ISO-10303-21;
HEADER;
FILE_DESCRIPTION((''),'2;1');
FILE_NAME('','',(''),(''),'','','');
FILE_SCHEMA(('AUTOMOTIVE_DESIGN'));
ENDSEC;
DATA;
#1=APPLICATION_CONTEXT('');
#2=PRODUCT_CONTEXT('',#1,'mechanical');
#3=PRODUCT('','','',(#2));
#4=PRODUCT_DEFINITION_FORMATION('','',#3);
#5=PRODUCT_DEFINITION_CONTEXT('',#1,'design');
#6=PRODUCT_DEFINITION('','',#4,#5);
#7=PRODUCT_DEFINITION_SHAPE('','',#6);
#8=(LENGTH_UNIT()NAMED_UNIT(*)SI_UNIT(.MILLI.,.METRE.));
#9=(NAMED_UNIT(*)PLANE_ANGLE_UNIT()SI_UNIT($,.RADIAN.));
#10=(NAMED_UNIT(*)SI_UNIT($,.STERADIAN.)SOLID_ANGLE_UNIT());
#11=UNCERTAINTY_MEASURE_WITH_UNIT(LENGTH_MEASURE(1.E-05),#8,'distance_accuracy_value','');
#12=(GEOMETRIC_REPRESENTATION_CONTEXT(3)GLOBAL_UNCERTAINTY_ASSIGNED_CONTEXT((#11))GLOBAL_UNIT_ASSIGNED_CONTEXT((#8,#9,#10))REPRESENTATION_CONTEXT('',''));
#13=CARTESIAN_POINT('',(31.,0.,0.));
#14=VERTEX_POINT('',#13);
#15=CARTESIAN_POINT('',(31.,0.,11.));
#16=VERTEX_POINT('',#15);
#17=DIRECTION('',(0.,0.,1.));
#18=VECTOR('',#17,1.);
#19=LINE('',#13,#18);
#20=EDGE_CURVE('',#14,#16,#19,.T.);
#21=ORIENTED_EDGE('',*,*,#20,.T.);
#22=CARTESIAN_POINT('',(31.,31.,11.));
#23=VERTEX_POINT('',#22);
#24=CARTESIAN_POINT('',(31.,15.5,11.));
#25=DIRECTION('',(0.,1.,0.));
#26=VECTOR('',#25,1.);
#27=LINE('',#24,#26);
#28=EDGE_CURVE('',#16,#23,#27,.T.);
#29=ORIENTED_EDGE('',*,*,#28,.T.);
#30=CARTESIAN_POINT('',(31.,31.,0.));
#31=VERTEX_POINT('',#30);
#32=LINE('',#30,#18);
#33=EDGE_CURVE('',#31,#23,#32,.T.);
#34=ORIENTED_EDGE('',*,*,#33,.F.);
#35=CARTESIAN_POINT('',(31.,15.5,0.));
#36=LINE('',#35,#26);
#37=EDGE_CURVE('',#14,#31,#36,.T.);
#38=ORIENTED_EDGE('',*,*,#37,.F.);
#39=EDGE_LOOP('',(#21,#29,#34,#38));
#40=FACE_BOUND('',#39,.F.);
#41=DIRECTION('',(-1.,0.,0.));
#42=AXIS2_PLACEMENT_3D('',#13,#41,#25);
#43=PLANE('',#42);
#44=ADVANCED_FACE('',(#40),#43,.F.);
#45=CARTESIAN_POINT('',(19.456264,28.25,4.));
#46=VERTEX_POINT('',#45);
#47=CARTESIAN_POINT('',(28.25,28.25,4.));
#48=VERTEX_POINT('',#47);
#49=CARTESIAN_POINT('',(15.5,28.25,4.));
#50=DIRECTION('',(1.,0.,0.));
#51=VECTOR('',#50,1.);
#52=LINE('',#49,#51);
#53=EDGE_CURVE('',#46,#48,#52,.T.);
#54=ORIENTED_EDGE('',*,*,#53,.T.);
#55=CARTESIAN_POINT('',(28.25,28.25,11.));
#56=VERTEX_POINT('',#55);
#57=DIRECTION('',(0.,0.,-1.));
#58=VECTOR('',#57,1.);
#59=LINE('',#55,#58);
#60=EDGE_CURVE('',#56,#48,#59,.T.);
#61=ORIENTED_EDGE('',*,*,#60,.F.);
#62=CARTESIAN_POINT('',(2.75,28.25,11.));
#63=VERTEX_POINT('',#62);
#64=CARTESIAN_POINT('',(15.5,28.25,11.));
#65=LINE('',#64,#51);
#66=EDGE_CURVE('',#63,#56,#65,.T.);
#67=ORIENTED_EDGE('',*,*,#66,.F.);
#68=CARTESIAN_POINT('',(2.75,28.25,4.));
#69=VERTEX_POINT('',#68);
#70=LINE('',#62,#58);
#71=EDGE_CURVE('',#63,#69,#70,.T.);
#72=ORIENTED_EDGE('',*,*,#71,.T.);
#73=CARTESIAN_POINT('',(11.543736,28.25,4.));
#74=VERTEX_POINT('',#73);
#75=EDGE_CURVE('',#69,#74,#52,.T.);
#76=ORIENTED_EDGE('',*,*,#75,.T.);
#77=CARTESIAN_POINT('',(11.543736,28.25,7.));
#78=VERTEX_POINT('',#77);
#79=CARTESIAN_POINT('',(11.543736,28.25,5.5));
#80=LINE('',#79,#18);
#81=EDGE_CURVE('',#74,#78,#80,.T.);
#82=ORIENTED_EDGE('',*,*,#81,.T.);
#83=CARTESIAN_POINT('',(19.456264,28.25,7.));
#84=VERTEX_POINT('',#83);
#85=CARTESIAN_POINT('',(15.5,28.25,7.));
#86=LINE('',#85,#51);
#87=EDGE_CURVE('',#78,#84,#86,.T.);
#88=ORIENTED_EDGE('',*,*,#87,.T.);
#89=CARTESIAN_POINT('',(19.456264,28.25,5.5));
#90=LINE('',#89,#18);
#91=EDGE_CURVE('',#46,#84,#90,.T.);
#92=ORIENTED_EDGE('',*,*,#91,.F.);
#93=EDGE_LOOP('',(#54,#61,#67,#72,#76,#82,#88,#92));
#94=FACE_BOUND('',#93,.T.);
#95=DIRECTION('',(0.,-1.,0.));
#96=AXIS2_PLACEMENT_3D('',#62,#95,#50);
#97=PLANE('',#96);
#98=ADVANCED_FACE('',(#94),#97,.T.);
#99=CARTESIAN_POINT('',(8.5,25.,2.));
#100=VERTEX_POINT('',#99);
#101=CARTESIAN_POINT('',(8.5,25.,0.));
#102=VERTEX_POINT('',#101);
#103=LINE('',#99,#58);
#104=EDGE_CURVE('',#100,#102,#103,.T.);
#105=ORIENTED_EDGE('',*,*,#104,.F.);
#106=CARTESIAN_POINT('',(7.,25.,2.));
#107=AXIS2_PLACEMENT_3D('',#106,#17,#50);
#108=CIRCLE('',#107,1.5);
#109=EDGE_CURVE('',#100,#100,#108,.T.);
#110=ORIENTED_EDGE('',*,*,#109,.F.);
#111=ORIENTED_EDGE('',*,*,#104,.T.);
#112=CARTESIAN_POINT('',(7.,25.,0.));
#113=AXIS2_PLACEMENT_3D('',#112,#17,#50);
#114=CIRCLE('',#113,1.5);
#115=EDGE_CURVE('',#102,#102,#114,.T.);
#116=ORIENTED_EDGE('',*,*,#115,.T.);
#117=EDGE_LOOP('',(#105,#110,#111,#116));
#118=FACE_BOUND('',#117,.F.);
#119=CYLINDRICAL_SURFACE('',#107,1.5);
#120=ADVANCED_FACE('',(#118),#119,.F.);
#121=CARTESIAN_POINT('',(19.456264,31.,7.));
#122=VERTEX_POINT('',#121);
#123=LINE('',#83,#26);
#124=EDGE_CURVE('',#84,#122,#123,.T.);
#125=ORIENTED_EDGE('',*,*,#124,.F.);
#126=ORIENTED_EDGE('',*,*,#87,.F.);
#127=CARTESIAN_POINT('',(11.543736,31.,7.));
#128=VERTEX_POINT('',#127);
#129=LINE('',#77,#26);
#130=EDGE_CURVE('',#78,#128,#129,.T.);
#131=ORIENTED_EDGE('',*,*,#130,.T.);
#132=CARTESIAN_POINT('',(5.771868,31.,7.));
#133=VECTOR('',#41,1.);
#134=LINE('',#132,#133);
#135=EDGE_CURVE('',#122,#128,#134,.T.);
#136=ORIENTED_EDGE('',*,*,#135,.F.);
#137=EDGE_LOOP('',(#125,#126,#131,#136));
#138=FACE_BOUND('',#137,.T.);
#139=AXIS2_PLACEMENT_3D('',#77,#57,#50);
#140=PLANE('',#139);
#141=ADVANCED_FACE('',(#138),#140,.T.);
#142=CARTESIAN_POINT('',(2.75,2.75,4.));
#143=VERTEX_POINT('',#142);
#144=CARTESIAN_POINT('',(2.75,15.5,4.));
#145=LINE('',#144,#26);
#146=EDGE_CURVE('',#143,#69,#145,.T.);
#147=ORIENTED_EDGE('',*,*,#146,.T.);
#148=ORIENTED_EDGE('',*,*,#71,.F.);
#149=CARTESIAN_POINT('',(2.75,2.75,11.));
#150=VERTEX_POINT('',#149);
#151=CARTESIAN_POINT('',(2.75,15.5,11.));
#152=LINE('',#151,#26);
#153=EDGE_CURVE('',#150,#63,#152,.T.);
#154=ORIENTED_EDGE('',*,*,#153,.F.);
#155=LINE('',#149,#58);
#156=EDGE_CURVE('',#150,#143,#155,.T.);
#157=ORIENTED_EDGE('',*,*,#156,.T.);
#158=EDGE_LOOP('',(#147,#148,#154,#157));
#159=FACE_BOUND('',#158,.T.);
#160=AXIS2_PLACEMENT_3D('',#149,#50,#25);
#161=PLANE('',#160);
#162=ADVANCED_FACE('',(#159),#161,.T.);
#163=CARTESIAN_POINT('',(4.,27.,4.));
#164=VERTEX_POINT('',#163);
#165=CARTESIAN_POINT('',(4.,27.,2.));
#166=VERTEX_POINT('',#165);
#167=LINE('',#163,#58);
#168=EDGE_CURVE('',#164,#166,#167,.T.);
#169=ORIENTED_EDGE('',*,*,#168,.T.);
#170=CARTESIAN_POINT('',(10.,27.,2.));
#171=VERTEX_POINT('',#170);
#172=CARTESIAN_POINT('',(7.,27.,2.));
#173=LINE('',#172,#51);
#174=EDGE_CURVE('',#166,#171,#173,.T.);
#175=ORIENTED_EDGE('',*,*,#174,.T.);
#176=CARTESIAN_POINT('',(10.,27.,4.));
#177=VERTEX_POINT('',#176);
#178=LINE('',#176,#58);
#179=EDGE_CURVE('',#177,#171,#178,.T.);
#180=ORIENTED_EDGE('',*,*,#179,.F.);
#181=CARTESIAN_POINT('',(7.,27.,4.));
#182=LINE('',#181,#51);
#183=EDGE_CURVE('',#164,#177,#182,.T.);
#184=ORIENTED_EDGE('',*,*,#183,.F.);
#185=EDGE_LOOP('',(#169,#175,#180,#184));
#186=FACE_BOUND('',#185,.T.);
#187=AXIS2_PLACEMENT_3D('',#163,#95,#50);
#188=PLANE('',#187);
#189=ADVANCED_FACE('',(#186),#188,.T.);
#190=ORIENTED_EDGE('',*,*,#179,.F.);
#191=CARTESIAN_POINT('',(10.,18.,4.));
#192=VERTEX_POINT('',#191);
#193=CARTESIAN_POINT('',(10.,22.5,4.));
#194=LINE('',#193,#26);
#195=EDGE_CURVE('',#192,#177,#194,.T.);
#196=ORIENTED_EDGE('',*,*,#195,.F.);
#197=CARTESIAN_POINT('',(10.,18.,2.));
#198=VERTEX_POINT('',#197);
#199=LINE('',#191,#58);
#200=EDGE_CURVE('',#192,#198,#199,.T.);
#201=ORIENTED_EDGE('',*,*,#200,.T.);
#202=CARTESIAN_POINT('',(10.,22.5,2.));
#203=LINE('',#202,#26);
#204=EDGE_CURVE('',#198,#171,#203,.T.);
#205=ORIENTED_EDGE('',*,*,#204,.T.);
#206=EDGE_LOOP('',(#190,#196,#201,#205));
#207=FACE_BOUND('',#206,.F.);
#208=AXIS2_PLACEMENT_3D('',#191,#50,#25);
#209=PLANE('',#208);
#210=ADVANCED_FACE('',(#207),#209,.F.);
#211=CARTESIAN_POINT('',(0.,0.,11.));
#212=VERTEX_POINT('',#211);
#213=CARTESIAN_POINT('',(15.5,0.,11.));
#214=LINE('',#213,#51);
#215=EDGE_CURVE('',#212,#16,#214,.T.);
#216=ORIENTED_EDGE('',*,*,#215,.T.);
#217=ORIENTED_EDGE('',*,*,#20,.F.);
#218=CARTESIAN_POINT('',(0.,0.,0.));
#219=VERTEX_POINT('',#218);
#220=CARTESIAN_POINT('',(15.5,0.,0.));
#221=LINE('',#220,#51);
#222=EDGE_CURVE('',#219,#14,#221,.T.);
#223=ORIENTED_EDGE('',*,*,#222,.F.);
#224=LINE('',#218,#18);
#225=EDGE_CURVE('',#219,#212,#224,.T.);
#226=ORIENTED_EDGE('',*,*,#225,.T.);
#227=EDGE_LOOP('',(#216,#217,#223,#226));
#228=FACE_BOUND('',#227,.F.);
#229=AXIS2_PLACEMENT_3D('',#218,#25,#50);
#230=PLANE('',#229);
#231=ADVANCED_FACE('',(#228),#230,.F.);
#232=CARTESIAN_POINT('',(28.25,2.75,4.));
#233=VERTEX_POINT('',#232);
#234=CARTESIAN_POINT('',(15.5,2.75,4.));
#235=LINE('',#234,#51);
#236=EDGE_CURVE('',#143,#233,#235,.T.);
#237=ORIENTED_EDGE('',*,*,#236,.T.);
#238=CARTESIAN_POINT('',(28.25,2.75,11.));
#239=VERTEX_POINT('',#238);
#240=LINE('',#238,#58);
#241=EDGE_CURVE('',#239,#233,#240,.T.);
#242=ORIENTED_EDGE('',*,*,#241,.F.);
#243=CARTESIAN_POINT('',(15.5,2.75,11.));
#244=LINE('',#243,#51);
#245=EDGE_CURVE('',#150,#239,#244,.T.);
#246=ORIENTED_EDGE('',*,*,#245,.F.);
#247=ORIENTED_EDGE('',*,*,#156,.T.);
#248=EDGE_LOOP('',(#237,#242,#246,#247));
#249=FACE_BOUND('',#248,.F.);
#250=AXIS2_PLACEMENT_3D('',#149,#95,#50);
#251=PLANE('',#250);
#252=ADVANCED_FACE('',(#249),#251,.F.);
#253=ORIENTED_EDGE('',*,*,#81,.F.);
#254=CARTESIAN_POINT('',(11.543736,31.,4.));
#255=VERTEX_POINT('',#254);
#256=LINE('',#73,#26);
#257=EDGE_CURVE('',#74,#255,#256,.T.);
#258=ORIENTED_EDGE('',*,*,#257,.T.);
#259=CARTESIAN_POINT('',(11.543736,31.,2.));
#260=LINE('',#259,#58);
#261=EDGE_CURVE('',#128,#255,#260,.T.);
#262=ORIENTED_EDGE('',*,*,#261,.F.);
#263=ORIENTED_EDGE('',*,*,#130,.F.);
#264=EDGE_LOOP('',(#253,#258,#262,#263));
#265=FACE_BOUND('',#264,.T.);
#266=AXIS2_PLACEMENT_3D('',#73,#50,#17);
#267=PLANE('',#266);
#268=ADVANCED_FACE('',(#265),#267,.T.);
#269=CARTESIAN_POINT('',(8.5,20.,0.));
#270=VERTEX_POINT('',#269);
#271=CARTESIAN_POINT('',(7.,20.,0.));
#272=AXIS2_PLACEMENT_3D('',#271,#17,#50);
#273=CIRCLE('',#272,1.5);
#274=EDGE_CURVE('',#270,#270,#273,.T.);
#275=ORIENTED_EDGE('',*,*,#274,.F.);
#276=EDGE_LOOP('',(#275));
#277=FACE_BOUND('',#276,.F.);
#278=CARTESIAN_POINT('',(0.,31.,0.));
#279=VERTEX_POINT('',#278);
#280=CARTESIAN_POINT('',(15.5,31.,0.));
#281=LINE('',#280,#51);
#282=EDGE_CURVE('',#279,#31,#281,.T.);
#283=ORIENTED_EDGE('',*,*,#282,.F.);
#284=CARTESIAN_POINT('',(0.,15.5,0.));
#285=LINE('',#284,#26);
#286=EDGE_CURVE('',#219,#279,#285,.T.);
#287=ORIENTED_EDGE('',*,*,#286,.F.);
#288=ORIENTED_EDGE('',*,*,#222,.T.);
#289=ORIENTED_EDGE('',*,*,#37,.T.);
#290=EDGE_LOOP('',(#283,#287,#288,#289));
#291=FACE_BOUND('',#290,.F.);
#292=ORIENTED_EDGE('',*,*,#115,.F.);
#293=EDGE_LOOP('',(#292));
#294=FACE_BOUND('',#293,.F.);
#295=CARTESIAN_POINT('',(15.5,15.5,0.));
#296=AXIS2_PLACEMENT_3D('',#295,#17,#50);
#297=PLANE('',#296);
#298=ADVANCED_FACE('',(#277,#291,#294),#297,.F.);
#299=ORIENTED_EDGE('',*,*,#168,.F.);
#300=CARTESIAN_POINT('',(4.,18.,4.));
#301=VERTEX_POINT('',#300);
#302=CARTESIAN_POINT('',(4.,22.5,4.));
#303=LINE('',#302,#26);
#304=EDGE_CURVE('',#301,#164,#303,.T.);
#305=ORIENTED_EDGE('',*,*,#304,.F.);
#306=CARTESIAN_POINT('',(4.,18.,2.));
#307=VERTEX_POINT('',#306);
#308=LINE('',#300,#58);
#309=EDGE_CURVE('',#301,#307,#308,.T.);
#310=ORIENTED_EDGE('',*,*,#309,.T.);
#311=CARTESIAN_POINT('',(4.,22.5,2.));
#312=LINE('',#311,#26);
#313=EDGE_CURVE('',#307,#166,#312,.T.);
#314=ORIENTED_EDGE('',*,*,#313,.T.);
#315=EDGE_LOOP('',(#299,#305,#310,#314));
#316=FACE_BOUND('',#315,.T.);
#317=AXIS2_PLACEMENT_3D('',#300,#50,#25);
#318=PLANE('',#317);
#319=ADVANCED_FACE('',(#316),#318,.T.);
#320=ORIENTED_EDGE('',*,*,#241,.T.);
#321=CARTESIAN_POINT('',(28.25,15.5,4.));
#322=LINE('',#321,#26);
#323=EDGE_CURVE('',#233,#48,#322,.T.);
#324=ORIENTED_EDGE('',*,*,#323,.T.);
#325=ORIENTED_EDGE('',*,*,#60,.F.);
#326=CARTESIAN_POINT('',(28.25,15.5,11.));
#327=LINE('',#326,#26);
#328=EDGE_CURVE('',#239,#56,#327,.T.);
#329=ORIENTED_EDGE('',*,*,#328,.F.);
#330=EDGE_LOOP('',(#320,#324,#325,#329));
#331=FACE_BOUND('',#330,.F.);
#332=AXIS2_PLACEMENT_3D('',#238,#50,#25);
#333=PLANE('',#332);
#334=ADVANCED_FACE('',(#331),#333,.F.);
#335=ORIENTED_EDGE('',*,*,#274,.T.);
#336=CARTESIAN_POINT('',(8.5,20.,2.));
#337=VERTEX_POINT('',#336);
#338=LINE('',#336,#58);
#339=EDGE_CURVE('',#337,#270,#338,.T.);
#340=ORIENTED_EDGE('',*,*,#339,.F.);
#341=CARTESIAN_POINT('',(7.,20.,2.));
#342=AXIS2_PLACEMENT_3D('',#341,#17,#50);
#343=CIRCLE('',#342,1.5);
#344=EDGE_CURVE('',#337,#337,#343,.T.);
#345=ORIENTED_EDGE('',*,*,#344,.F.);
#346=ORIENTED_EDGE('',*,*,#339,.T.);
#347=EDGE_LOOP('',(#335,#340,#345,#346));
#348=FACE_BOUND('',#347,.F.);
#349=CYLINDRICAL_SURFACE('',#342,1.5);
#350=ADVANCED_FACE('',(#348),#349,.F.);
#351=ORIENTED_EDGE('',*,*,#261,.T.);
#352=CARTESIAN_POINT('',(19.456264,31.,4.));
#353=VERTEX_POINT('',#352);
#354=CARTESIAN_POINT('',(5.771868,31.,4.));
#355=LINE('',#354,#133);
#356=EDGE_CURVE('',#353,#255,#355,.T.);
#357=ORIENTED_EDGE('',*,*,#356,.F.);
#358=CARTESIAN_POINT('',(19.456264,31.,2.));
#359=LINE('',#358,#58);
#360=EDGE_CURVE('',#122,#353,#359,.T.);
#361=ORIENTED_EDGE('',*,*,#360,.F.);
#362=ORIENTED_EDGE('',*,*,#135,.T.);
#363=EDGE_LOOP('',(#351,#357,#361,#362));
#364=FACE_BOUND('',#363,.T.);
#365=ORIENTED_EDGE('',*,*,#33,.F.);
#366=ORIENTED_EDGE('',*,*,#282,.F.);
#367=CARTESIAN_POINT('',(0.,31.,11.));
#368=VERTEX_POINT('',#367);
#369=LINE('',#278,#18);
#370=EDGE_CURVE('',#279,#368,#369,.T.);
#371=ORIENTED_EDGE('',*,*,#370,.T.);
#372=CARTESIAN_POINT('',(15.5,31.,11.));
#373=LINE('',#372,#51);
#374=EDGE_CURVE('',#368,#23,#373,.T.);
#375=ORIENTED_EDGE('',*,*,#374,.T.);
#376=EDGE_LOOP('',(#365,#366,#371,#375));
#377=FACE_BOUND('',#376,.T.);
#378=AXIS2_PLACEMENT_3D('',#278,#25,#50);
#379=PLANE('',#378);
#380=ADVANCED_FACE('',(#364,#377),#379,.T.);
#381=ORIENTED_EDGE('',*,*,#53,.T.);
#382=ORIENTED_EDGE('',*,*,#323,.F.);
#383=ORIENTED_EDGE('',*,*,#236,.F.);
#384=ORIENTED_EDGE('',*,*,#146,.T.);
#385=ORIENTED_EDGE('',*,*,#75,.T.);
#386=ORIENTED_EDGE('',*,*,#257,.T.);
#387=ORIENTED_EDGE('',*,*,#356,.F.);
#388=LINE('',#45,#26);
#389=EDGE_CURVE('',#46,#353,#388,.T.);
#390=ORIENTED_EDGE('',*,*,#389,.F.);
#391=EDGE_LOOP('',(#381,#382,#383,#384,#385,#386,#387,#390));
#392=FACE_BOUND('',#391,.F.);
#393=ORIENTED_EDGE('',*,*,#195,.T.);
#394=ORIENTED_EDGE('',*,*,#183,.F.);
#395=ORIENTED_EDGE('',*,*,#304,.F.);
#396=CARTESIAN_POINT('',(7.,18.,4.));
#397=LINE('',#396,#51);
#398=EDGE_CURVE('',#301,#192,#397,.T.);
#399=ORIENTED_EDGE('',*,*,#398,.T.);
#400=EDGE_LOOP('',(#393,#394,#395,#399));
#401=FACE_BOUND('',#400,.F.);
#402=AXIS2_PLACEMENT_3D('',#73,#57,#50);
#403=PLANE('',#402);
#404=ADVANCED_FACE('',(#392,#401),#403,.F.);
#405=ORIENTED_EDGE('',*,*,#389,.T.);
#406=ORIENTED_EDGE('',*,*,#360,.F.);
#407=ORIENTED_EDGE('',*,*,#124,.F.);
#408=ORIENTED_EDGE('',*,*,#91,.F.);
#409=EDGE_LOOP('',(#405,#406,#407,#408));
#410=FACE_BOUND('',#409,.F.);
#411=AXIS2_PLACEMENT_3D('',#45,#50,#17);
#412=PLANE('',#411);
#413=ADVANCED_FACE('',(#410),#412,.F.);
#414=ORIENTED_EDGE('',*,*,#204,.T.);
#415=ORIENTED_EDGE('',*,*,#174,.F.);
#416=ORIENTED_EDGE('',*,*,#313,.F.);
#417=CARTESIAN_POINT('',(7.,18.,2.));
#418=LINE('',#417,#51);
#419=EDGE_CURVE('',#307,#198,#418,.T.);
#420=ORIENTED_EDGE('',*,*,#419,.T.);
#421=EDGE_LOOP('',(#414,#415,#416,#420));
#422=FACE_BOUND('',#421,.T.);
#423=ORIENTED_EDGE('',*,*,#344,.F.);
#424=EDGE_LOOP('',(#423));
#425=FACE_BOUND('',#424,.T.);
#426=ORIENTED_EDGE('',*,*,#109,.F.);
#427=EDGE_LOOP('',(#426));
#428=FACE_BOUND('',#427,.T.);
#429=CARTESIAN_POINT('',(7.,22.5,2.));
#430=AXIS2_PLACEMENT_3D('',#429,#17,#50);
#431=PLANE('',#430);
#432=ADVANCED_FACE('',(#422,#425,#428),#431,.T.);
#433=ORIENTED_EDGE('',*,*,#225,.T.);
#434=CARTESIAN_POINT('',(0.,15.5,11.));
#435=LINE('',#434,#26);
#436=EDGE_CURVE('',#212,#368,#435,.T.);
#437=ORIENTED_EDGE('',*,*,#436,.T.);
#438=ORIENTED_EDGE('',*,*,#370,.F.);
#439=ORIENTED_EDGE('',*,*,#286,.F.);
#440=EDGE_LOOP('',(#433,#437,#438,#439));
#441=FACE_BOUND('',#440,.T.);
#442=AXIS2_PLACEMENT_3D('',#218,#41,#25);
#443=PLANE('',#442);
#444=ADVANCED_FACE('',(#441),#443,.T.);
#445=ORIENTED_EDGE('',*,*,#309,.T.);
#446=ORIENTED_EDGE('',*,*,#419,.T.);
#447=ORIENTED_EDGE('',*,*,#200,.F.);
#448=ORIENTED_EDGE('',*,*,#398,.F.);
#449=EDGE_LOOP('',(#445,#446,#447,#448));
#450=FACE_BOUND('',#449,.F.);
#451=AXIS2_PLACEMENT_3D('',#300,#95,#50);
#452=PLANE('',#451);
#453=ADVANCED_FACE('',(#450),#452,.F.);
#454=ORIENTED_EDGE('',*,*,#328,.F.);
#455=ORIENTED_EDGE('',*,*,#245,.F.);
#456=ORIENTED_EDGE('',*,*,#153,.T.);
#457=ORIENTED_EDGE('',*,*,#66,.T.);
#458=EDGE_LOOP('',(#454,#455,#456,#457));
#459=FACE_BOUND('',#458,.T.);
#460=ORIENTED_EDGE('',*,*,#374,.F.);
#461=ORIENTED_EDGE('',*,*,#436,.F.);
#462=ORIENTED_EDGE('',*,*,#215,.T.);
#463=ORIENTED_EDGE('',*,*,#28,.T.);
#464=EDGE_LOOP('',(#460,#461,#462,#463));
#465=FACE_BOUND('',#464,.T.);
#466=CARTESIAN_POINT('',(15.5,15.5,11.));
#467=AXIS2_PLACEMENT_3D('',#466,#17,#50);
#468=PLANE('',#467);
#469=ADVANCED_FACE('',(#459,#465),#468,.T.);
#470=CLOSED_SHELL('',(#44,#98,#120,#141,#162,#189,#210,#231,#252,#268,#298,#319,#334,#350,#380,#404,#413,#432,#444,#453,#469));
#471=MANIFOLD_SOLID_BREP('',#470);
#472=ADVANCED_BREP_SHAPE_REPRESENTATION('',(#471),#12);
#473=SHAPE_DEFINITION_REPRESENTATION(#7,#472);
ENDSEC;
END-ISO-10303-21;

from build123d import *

# Parameters (mm, degrees)
SKETCH_W        = 31
SKETCH_H        = 31
PAD_DEPTH       = 11
SKETCH001_W     = 25.5
SKETCH001_H     = 25.5
POCKET_DEPTH    = 7
SKETCH002_W     = 6
SKETCH002_H     = 9
POCKET001_DEPTH = 2
SKETCH003_R     = 1.5
POCKET002_DEPTH = 5
SKETCH004_W     = 7.912528
SKETCH004_H     = 3
POCKET003_DEPTH = 5


with BuildPart() as part:
    # Sketch → Pad (new body)
    with BuildSketch(Plane.XY):
        with Locations((15.5, 15.5)):
            Rectangle(SKETCH_W, SKETCH_H)
    extrude(amount=PAD_DEPTH)

    # Sketch001 (on Face6 of Pad) → Pocket (cut)
    with BuildSketch(Plane.XY.offset(11)):
        with Locations((15.5, 15.5)):
            Rectangle(SKETCH001_W, SKETCH001_H)
    extrude(amount=-POCKET_DEPTH, mode=Mode.SUBTRACT)

    # Sketch002 (on Face11 of Pocket) → Pocket001 (cut)
    with BuildSketch(Plane.XY.offset(4)):
        with Locations((7, 22.5)):
            Rectangle(SKETCH002_W, SKETCH002_H)
    extrude(amount=-POCKET001_DEPTH, mode=Mode.SUBTRACT)

    # Sketch003 (on Face16 of Pocket001) → Pocket002 (cut)
    with BuildSketch(Plane.XY.offset(2)):
        with Locations((7, 25)):
            Circle(SKETCH003_R)
        with Locations((7, 20)):
            Circle(SKETCH003_R)
    extrude(amount=-POCKET002_DEPTH, mode=Mode.SUBTRACT)

    # Sketch004 (on Face12 of Pocket002) → Pocket003 (cut)
    with BuildSketch(Plane.XZ.offset(-28.25)):
        with Locations((15.5, 5.5)):
            Rectangle(SKETCH004_W, SKETCH004_H)
    extrude(amount=-POCKET003_DEPTH, mode=Mode.SUBTRACT)


solid = part.part
